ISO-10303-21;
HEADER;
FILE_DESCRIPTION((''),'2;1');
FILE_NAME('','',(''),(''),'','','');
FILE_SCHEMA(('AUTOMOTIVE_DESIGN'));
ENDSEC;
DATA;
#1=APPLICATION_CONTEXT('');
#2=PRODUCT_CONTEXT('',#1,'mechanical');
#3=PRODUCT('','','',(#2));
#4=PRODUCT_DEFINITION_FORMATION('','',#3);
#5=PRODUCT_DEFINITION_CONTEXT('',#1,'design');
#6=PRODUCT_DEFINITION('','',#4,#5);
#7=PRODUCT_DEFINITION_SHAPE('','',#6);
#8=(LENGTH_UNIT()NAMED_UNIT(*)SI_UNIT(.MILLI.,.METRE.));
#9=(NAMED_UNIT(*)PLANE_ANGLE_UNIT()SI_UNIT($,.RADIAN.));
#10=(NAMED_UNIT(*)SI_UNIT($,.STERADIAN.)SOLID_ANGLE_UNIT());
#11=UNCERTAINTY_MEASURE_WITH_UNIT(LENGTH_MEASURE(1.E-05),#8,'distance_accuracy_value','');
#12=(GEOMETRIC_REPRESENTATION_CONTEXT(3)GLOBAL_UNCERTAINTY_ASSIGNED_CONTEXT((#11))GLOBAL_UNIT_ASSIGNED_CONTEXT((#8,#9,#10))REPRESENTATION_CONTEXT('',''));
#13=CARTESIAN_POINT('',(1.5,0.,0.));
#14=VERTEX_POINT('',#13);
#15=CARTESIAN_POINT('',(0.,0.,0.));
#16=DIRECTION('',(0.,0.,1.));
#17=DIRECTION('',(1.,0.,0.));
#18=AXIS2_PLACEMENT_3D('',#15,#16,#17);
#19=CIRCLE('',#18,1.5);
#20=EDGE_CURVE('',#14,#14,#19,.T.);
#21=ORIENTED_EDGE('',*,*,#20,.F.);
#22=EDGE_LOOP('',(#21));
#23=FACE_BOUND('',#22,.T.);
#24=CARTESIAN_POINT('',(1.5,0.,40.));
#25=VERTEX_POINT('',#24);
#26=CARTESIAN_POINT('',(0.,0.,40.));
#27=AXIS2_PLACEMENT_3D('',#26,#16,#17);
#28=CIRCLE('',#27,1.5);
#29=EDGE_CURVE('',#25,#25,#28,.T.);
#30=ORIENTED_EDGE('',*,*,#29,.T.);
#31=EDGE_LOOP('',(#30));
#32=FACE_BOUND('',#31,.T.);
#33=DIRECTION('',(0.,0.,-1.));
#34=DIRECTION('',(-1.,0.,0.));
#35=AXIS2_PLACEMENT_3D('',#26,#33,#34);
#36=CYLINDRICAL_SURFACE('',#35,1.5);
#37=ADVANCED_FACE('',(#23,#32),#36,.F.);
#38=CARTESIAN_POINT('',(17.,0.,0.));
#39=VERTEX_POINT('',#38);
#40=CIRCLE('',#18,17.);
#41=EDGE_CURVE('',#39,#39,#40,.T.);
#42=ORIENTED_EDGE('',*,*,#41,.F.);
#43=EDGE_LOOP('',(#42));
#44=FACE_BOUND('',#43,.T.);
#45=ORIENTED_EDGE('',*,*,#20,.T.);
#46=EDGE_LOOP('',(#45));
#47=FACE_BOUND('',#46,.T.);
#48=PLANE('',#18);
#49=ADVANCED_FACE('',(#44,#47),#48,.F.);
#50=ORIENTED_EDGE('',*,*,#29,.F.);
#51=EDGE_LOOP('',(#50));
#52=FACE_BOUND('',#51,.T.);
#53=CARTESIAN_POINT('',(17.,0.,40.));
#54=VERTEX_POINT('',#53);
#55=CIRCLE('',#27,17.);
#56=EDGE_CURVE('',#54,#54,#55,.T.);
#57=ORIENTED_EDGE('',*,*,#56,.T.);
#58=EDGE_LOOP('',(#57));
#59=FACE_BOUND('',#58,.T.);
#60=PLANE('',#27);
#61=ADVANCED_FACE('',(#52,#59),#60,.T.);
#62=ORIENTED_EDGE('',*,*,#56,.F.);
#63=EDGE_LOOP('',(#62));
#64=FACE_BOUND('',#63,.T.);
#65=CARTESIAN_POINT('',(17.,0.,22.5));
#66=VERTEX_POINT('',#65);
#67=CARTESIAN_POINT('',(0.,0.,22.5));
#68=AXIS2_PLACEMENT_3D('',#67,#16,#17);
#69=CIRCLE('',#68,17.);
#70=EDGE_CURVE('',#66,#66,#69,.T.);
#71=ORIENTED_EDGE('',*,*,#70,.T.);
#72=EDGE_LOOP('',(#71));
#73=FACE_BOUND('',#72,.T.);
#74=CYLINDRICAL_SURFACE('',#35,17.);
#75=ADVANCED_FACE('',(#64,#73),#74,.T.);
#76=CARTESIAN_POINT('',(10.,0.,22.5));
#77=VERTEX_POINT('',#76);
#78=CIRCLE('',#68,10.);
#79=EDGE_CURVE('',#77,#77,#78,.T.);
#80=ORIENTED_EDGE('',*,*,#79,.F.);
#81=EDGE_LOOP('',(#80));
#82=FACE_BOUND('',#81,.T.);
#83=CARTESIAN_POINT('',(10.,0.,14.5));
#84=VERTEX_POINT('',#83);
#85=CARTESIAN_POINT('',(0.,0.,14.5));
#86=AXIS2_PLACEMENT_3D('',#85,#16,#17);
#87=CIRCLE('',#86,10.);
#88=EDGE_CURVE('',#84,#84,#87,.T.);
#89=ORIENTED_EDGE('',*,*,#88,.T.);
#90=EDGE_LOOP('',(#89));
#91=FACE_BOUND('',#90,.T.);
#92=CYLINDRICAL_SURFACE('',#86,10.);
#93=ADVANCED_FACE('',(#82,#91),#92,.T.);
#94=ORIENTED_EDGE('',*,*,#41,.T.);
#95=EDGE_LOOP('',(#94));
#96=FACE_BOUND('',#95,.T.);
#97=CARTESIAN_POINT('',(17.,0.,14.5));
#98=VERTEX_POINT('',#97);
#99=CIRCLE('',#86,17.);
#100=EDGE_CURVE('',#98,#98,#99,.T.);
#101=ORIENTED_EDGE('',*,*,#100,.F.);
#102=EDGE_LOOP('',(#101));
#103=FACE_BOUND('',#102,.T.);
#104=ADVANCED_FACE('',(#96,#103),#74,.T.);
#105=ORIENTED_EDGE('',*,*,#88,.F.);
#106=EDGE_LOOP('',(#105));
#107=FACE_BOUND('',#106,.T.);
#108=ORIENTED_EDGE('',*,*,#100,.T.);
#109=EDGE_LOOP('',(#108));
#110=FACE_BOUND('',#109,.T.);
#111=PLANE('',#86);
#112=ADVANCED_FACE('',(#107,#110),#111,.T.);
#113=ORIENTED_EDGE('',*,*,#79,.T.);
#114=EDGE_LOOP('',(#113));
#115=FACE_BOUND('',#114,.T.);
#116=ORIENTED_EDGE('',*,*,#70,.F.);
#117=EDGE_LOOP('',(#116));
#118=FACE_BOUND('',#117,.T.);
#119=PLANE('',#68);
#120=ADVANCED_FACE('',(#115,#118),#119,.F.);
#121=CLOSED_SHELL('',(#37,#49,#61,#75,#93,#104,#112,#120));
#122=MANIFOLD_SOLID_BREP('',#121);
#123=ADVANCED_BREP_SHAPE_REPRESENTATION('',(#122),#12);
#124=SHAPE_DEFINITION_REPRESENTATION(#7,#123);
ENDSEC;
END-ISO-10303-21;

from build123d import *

# Parameters (mm, degrees)
SKETCH1_R           = 17
SKETCH1_R_2         = 1.5
BOSS_EXTRUDE1_DEPTH = 40
CUT_EXTRUDE1_START  = -17.5
SKETCH2_R           = 17
SKETCH2_R_2         = 10
CUT_EXTRUDE1_DEPTH  = 8


with BuildPart() as part:
    # Sketch1 → Boss-Extrude1 (new body)
    with BuildSketch(Plane.XY):
        Circle(SKETCH1_R)
        Circle(SKETCH1_R_2, mode=Mode.SUBTRACT)
    extrude(amount=BOSS_EXTRUDE1_DEPTH)

    # Sketch2 → Cut-Extrude1 (cut)
    with BuildSketch(Plane.XY.offset(40).offset(CUT_EXTRUDE1_START)):
        Circle(SKETCH2_R)
        Circle(SKETCH2_R_2, mode=Mode.SUBTRACT)
    extrude(amount=-CUT_EXTRUDE1_DEPTH, mode=Mode.SUBTRACT)


solid = part.part
